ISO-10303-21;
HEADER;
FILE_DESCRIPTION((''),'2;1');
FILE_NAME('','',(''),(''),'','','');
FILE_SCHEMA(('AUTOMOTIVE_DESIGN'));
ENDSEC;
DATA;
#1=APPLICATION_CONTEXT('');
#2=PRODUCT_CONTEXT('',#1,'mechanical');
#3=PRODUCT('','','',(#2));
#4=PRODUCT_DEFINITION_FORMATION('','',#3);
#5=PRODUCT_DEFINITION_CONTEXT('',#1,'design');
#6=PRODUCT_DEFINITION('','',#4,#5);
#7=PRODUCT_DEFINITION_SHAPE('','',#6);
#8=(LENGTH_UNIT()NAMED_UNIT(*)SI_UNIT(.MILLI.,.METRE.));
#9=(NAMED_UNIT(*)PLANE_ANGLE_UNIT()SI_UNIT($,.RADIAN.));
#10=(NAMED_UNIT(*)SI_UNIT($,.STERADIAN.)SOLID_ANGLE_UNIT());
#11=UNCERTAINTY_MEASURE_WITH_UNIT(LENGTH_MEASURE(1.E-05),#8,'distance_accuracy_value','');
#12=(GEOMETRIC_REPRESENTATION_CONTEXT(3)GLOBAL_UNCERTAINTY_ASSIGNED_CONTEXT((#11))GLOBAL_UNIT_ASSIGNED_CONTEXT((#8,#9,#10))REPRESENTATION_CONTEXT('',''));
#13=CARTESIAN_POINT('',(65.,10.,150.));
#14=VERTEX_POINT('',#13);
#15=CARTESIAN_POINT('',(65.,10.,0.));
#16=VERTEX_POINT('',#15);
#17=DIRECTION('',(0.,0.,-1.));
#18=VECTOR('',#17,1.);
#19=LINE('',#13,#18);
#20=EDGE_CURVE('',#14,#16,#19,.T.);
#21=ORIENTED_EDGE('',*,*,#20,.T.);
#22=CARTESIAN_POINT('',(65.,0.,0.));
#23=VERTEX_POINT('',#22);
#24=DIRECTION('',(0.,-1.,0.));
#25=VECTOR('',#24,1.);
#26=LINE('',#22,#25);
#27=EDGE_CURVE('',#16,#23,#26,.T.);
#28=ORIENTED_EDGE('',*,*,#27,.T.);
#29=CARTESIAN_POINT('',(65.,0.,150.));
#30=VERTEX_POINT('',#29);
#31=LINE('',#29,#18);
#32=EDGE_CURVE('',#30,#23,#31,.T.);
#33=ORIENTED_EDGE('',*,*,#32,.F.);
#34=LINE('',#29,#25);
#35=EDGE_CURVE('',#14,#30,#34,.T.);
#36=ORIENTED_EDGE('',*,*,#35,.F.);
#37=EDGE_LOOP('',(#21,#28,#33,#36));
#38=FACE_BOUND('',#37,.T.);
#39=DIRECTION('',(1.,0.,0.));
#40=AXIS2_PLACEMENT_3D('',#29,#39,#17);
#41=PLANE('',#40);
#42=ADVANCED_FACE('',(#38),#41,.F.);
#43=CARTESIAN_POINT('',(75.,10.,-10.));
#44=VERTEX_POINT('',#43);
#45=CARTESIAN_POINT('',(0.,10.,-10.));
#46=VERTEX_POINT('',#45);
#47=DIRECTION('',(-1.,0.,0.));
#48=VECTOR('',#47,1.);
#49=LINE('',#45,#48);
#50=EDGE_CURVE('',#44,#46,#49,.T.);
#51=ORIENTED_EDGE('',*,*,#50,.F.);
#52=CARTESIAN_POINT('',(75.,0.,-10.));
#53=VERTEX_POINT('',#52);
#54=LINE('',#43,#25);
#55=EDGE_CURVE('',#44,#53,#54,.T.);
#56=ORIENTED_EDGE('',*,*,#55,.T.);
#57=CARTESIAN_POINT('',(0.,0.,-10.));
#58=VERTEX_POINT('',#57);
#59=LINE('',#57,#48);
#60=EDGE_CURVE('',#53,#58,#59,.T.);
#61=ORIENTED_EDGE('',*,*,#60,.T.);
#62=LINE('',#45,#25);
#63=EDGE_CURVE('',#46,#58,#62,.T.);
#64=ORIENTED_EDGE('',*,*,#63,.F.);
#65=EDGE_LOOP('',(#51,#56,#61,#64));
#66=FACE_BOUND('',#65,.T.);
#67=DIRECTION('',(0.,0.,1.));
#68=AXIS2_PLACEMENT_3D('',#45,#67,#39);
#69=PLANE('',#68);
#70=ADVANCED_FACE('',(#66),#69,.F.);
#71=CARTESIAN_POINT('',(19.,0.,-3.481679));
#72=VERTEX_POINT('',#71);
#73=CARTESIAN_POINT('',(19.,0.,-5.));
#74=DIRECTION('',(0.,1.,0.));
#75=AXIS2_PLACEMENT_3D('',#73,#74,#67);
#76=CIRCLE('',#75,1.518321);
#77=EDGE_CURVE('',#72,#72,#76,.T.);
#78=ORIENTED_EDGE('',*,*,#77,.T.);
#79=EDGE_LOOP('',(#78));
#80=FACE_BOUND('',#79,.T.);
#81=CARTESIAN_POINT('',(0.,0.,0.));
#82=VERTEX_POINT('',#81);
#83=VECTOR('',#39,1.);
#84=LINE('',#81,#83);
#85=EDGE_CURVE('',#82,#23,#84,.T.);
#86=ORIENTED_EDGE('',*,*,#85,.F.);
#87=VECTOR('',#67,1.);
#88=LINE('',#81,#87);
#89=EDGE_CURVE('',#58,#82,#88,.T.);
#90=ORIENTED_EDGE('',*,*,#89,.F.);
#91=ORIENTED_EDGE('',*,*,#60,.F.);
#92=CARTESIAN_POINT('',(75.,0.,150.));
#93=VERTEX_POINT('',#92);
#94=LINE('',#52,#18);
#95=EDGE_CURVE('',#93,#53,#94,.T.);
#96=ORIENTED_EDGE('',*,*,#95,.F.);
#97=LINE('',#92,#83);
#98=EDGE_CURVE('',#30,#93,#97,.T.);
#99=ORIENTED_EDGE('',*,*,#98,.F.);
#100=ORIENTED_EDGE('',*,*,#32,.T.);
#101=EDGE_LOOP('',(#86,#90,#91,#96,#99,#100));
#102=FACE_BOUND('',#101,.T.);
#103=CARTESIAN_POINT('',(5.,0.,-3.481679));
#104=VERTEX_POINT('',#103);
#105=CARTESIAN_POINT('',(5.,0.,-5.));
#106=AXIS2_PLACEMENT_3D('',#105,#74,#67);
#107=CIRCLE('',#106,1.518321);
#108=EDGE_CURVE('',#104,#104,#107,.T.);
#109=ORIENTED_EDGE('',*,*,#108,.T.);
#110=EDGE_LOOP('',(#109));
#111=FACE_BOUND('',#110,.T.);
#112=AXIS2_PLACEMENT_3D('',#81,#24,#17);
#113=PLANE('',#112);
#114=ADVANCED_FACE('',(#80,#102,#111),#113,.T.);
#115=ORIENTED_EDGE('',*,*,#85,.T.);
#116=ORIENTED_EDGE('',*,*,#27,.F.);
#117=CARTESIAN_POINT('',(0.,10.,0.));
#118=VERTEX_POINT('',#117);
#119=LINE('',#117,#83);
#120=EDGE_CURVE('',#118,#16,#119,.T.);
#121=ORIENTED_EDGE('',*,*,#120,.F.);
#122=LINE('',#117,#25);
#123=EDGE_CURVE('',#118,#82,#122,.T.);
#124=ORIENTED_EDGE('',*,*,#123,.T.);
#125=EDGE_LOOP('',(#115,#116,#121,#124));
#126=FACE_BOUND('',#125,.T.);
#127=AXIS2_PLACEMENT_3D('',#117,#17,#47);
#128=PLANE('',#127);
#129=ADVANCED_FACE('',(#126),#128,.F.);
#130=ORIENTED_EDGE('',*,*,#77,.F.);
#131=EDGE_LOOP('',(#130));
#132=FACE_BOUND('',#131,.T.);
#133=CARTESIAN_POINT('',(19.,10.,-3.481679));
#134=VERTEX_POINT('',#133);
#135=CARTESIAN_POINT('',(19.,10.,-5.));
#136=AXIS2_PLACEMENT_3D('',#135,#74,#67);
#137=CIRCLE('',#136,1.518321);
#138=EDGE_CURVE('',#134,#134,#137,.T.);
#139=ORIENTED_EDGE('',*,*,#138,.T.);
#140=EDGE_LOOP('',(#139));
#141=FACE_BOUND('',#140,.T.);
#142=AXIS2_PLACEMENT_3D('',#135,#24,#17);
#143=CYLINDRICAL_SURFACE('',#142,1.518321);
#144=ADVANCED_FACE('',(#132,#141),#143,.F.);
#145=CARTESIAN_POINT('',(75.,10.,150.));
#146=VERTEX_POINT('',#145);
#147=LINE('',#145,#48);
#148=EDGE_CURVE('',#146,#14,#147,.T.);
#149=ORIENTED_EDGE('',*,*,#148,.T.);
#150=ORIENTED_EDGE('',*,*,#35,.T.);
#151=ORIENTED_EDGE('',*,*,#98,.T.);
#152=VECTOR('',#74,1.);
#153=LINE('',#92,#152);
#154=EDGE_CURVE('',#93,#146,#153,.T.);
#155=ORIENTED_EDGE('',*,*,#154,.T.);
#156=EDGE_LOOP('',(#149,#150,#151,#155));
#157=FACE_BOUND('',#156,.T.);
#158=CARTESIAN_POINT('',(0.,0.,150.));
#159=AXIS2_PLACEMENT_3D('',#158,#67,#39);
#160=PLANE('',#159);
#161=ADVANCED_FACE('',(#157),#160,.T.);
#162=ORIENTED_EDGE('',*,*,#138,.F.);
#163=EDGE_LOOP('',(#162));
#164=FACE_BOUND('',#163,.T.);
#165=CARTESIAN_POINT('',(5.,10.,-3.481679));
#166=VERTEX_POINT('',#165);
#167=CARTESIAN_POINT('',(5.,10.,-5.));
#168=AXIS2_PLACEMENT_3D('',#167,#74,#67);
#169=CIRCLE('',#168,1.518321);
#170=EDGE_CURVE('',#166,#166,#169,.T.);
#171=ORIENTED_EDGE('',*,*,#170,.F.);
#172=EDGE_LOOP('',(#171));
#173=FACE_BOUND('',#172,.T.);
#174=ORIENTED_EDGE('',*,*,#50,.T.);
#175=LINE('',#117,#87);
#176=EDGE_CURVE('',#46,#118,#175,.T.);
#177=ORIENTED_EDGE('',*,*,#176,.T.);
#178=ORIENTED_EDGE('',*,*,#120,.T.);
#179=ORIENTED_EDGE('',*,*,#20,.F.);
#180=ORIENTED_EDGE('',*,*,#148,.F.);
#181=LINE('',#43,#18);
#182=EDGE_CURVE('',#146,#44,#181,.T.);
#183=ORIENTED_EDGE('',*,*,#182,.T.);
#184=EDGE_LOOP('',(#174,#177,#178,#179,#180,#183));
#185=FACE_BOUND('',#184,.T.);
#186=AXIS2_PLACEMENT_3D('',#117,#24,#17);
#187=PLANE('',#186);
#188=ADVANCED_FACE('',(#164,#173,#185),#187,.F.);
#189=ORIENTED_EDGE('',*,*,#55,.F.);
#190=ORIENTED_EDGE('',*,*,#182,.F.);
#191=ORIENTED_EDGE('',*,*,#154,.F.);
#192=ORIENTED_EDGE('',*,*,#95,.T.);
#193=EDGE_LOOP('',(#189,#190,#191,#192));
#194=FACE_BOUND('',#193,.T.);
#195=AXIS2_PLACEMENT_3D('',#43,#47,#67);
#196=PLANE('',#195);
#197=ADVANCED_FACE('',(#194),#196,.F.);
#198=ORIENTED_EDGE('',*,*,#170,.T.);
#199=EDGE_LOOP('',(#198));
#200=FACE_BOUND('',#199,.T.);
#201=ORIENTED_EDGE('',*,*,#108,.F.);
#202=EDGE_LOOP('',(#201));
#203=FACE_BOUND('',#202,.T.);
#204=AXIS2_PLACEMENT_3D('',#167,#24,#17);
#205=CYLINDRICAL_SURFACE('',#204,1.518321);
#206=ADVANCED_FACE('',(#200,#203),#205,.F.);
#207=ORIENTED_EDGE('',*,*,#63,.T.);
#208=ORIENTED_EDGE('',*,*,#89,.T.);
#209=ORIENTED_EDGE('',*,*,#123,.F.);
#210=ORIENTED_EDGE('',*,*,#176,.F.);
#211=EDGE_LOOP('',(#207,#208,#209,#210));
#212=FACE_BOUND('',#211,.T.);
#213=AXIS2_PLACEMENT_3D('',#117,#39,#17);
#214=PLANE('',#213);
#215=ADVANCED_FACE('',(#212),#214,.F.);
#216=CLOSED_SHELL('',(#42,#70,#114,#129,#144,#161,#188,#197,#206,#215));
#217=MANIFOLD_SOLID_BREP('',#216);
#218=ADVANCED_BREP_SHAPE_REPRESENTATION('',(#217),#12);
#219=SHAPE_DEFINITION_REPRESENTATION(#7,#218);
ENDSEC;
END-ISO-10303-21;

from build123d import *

# Parameters (mm, degrees)
SKETCH1_W           = 75
SKETCH1_H           = 10
SKETCH1_R           = 1.518320508
BOSS_EXTRUDE1_DEPTH = 10
SKETCH5_W           = 10
SKETCH5_H           = 10
BOSS_EXTRUDE3_DEPTH = 150


with BuildPart() as part:
    # Sketch1 → Boss-Extrude1 (new body)
    with BuildSketch(Plane(origin=(0, 0, 0), x_dir=(1, 0, 0), z_dir=(0, 1, 0))):
        with Locations((37.5, 5)):
            Rectangle(SKETCH1_W, SKETCH1_H)
        with Locations(Location((5, 5, 0), (0, 0, 270))):
            Circle(SKETCH1_R, mode=Mode.SUBTRACT)
        with Locations(Location((19, 5, 0), (0, 0, 270))):
            Circle(SKETCH1_R, mode=Mode.SUBTRACT)
    extrude(amount=BOSS_EXTRUDE1_DEPTH)

    # Sketch5 → Boss-Extrude3 (add)
    with BuildSketch(Plane.XY):
        with Locations((70, 5)):
            Rectangle(SKETCH5_W, SKETCH5_H)
    extrude(amount=BOSS_EXTRUDE3_DEPTH)


solid = part.part
